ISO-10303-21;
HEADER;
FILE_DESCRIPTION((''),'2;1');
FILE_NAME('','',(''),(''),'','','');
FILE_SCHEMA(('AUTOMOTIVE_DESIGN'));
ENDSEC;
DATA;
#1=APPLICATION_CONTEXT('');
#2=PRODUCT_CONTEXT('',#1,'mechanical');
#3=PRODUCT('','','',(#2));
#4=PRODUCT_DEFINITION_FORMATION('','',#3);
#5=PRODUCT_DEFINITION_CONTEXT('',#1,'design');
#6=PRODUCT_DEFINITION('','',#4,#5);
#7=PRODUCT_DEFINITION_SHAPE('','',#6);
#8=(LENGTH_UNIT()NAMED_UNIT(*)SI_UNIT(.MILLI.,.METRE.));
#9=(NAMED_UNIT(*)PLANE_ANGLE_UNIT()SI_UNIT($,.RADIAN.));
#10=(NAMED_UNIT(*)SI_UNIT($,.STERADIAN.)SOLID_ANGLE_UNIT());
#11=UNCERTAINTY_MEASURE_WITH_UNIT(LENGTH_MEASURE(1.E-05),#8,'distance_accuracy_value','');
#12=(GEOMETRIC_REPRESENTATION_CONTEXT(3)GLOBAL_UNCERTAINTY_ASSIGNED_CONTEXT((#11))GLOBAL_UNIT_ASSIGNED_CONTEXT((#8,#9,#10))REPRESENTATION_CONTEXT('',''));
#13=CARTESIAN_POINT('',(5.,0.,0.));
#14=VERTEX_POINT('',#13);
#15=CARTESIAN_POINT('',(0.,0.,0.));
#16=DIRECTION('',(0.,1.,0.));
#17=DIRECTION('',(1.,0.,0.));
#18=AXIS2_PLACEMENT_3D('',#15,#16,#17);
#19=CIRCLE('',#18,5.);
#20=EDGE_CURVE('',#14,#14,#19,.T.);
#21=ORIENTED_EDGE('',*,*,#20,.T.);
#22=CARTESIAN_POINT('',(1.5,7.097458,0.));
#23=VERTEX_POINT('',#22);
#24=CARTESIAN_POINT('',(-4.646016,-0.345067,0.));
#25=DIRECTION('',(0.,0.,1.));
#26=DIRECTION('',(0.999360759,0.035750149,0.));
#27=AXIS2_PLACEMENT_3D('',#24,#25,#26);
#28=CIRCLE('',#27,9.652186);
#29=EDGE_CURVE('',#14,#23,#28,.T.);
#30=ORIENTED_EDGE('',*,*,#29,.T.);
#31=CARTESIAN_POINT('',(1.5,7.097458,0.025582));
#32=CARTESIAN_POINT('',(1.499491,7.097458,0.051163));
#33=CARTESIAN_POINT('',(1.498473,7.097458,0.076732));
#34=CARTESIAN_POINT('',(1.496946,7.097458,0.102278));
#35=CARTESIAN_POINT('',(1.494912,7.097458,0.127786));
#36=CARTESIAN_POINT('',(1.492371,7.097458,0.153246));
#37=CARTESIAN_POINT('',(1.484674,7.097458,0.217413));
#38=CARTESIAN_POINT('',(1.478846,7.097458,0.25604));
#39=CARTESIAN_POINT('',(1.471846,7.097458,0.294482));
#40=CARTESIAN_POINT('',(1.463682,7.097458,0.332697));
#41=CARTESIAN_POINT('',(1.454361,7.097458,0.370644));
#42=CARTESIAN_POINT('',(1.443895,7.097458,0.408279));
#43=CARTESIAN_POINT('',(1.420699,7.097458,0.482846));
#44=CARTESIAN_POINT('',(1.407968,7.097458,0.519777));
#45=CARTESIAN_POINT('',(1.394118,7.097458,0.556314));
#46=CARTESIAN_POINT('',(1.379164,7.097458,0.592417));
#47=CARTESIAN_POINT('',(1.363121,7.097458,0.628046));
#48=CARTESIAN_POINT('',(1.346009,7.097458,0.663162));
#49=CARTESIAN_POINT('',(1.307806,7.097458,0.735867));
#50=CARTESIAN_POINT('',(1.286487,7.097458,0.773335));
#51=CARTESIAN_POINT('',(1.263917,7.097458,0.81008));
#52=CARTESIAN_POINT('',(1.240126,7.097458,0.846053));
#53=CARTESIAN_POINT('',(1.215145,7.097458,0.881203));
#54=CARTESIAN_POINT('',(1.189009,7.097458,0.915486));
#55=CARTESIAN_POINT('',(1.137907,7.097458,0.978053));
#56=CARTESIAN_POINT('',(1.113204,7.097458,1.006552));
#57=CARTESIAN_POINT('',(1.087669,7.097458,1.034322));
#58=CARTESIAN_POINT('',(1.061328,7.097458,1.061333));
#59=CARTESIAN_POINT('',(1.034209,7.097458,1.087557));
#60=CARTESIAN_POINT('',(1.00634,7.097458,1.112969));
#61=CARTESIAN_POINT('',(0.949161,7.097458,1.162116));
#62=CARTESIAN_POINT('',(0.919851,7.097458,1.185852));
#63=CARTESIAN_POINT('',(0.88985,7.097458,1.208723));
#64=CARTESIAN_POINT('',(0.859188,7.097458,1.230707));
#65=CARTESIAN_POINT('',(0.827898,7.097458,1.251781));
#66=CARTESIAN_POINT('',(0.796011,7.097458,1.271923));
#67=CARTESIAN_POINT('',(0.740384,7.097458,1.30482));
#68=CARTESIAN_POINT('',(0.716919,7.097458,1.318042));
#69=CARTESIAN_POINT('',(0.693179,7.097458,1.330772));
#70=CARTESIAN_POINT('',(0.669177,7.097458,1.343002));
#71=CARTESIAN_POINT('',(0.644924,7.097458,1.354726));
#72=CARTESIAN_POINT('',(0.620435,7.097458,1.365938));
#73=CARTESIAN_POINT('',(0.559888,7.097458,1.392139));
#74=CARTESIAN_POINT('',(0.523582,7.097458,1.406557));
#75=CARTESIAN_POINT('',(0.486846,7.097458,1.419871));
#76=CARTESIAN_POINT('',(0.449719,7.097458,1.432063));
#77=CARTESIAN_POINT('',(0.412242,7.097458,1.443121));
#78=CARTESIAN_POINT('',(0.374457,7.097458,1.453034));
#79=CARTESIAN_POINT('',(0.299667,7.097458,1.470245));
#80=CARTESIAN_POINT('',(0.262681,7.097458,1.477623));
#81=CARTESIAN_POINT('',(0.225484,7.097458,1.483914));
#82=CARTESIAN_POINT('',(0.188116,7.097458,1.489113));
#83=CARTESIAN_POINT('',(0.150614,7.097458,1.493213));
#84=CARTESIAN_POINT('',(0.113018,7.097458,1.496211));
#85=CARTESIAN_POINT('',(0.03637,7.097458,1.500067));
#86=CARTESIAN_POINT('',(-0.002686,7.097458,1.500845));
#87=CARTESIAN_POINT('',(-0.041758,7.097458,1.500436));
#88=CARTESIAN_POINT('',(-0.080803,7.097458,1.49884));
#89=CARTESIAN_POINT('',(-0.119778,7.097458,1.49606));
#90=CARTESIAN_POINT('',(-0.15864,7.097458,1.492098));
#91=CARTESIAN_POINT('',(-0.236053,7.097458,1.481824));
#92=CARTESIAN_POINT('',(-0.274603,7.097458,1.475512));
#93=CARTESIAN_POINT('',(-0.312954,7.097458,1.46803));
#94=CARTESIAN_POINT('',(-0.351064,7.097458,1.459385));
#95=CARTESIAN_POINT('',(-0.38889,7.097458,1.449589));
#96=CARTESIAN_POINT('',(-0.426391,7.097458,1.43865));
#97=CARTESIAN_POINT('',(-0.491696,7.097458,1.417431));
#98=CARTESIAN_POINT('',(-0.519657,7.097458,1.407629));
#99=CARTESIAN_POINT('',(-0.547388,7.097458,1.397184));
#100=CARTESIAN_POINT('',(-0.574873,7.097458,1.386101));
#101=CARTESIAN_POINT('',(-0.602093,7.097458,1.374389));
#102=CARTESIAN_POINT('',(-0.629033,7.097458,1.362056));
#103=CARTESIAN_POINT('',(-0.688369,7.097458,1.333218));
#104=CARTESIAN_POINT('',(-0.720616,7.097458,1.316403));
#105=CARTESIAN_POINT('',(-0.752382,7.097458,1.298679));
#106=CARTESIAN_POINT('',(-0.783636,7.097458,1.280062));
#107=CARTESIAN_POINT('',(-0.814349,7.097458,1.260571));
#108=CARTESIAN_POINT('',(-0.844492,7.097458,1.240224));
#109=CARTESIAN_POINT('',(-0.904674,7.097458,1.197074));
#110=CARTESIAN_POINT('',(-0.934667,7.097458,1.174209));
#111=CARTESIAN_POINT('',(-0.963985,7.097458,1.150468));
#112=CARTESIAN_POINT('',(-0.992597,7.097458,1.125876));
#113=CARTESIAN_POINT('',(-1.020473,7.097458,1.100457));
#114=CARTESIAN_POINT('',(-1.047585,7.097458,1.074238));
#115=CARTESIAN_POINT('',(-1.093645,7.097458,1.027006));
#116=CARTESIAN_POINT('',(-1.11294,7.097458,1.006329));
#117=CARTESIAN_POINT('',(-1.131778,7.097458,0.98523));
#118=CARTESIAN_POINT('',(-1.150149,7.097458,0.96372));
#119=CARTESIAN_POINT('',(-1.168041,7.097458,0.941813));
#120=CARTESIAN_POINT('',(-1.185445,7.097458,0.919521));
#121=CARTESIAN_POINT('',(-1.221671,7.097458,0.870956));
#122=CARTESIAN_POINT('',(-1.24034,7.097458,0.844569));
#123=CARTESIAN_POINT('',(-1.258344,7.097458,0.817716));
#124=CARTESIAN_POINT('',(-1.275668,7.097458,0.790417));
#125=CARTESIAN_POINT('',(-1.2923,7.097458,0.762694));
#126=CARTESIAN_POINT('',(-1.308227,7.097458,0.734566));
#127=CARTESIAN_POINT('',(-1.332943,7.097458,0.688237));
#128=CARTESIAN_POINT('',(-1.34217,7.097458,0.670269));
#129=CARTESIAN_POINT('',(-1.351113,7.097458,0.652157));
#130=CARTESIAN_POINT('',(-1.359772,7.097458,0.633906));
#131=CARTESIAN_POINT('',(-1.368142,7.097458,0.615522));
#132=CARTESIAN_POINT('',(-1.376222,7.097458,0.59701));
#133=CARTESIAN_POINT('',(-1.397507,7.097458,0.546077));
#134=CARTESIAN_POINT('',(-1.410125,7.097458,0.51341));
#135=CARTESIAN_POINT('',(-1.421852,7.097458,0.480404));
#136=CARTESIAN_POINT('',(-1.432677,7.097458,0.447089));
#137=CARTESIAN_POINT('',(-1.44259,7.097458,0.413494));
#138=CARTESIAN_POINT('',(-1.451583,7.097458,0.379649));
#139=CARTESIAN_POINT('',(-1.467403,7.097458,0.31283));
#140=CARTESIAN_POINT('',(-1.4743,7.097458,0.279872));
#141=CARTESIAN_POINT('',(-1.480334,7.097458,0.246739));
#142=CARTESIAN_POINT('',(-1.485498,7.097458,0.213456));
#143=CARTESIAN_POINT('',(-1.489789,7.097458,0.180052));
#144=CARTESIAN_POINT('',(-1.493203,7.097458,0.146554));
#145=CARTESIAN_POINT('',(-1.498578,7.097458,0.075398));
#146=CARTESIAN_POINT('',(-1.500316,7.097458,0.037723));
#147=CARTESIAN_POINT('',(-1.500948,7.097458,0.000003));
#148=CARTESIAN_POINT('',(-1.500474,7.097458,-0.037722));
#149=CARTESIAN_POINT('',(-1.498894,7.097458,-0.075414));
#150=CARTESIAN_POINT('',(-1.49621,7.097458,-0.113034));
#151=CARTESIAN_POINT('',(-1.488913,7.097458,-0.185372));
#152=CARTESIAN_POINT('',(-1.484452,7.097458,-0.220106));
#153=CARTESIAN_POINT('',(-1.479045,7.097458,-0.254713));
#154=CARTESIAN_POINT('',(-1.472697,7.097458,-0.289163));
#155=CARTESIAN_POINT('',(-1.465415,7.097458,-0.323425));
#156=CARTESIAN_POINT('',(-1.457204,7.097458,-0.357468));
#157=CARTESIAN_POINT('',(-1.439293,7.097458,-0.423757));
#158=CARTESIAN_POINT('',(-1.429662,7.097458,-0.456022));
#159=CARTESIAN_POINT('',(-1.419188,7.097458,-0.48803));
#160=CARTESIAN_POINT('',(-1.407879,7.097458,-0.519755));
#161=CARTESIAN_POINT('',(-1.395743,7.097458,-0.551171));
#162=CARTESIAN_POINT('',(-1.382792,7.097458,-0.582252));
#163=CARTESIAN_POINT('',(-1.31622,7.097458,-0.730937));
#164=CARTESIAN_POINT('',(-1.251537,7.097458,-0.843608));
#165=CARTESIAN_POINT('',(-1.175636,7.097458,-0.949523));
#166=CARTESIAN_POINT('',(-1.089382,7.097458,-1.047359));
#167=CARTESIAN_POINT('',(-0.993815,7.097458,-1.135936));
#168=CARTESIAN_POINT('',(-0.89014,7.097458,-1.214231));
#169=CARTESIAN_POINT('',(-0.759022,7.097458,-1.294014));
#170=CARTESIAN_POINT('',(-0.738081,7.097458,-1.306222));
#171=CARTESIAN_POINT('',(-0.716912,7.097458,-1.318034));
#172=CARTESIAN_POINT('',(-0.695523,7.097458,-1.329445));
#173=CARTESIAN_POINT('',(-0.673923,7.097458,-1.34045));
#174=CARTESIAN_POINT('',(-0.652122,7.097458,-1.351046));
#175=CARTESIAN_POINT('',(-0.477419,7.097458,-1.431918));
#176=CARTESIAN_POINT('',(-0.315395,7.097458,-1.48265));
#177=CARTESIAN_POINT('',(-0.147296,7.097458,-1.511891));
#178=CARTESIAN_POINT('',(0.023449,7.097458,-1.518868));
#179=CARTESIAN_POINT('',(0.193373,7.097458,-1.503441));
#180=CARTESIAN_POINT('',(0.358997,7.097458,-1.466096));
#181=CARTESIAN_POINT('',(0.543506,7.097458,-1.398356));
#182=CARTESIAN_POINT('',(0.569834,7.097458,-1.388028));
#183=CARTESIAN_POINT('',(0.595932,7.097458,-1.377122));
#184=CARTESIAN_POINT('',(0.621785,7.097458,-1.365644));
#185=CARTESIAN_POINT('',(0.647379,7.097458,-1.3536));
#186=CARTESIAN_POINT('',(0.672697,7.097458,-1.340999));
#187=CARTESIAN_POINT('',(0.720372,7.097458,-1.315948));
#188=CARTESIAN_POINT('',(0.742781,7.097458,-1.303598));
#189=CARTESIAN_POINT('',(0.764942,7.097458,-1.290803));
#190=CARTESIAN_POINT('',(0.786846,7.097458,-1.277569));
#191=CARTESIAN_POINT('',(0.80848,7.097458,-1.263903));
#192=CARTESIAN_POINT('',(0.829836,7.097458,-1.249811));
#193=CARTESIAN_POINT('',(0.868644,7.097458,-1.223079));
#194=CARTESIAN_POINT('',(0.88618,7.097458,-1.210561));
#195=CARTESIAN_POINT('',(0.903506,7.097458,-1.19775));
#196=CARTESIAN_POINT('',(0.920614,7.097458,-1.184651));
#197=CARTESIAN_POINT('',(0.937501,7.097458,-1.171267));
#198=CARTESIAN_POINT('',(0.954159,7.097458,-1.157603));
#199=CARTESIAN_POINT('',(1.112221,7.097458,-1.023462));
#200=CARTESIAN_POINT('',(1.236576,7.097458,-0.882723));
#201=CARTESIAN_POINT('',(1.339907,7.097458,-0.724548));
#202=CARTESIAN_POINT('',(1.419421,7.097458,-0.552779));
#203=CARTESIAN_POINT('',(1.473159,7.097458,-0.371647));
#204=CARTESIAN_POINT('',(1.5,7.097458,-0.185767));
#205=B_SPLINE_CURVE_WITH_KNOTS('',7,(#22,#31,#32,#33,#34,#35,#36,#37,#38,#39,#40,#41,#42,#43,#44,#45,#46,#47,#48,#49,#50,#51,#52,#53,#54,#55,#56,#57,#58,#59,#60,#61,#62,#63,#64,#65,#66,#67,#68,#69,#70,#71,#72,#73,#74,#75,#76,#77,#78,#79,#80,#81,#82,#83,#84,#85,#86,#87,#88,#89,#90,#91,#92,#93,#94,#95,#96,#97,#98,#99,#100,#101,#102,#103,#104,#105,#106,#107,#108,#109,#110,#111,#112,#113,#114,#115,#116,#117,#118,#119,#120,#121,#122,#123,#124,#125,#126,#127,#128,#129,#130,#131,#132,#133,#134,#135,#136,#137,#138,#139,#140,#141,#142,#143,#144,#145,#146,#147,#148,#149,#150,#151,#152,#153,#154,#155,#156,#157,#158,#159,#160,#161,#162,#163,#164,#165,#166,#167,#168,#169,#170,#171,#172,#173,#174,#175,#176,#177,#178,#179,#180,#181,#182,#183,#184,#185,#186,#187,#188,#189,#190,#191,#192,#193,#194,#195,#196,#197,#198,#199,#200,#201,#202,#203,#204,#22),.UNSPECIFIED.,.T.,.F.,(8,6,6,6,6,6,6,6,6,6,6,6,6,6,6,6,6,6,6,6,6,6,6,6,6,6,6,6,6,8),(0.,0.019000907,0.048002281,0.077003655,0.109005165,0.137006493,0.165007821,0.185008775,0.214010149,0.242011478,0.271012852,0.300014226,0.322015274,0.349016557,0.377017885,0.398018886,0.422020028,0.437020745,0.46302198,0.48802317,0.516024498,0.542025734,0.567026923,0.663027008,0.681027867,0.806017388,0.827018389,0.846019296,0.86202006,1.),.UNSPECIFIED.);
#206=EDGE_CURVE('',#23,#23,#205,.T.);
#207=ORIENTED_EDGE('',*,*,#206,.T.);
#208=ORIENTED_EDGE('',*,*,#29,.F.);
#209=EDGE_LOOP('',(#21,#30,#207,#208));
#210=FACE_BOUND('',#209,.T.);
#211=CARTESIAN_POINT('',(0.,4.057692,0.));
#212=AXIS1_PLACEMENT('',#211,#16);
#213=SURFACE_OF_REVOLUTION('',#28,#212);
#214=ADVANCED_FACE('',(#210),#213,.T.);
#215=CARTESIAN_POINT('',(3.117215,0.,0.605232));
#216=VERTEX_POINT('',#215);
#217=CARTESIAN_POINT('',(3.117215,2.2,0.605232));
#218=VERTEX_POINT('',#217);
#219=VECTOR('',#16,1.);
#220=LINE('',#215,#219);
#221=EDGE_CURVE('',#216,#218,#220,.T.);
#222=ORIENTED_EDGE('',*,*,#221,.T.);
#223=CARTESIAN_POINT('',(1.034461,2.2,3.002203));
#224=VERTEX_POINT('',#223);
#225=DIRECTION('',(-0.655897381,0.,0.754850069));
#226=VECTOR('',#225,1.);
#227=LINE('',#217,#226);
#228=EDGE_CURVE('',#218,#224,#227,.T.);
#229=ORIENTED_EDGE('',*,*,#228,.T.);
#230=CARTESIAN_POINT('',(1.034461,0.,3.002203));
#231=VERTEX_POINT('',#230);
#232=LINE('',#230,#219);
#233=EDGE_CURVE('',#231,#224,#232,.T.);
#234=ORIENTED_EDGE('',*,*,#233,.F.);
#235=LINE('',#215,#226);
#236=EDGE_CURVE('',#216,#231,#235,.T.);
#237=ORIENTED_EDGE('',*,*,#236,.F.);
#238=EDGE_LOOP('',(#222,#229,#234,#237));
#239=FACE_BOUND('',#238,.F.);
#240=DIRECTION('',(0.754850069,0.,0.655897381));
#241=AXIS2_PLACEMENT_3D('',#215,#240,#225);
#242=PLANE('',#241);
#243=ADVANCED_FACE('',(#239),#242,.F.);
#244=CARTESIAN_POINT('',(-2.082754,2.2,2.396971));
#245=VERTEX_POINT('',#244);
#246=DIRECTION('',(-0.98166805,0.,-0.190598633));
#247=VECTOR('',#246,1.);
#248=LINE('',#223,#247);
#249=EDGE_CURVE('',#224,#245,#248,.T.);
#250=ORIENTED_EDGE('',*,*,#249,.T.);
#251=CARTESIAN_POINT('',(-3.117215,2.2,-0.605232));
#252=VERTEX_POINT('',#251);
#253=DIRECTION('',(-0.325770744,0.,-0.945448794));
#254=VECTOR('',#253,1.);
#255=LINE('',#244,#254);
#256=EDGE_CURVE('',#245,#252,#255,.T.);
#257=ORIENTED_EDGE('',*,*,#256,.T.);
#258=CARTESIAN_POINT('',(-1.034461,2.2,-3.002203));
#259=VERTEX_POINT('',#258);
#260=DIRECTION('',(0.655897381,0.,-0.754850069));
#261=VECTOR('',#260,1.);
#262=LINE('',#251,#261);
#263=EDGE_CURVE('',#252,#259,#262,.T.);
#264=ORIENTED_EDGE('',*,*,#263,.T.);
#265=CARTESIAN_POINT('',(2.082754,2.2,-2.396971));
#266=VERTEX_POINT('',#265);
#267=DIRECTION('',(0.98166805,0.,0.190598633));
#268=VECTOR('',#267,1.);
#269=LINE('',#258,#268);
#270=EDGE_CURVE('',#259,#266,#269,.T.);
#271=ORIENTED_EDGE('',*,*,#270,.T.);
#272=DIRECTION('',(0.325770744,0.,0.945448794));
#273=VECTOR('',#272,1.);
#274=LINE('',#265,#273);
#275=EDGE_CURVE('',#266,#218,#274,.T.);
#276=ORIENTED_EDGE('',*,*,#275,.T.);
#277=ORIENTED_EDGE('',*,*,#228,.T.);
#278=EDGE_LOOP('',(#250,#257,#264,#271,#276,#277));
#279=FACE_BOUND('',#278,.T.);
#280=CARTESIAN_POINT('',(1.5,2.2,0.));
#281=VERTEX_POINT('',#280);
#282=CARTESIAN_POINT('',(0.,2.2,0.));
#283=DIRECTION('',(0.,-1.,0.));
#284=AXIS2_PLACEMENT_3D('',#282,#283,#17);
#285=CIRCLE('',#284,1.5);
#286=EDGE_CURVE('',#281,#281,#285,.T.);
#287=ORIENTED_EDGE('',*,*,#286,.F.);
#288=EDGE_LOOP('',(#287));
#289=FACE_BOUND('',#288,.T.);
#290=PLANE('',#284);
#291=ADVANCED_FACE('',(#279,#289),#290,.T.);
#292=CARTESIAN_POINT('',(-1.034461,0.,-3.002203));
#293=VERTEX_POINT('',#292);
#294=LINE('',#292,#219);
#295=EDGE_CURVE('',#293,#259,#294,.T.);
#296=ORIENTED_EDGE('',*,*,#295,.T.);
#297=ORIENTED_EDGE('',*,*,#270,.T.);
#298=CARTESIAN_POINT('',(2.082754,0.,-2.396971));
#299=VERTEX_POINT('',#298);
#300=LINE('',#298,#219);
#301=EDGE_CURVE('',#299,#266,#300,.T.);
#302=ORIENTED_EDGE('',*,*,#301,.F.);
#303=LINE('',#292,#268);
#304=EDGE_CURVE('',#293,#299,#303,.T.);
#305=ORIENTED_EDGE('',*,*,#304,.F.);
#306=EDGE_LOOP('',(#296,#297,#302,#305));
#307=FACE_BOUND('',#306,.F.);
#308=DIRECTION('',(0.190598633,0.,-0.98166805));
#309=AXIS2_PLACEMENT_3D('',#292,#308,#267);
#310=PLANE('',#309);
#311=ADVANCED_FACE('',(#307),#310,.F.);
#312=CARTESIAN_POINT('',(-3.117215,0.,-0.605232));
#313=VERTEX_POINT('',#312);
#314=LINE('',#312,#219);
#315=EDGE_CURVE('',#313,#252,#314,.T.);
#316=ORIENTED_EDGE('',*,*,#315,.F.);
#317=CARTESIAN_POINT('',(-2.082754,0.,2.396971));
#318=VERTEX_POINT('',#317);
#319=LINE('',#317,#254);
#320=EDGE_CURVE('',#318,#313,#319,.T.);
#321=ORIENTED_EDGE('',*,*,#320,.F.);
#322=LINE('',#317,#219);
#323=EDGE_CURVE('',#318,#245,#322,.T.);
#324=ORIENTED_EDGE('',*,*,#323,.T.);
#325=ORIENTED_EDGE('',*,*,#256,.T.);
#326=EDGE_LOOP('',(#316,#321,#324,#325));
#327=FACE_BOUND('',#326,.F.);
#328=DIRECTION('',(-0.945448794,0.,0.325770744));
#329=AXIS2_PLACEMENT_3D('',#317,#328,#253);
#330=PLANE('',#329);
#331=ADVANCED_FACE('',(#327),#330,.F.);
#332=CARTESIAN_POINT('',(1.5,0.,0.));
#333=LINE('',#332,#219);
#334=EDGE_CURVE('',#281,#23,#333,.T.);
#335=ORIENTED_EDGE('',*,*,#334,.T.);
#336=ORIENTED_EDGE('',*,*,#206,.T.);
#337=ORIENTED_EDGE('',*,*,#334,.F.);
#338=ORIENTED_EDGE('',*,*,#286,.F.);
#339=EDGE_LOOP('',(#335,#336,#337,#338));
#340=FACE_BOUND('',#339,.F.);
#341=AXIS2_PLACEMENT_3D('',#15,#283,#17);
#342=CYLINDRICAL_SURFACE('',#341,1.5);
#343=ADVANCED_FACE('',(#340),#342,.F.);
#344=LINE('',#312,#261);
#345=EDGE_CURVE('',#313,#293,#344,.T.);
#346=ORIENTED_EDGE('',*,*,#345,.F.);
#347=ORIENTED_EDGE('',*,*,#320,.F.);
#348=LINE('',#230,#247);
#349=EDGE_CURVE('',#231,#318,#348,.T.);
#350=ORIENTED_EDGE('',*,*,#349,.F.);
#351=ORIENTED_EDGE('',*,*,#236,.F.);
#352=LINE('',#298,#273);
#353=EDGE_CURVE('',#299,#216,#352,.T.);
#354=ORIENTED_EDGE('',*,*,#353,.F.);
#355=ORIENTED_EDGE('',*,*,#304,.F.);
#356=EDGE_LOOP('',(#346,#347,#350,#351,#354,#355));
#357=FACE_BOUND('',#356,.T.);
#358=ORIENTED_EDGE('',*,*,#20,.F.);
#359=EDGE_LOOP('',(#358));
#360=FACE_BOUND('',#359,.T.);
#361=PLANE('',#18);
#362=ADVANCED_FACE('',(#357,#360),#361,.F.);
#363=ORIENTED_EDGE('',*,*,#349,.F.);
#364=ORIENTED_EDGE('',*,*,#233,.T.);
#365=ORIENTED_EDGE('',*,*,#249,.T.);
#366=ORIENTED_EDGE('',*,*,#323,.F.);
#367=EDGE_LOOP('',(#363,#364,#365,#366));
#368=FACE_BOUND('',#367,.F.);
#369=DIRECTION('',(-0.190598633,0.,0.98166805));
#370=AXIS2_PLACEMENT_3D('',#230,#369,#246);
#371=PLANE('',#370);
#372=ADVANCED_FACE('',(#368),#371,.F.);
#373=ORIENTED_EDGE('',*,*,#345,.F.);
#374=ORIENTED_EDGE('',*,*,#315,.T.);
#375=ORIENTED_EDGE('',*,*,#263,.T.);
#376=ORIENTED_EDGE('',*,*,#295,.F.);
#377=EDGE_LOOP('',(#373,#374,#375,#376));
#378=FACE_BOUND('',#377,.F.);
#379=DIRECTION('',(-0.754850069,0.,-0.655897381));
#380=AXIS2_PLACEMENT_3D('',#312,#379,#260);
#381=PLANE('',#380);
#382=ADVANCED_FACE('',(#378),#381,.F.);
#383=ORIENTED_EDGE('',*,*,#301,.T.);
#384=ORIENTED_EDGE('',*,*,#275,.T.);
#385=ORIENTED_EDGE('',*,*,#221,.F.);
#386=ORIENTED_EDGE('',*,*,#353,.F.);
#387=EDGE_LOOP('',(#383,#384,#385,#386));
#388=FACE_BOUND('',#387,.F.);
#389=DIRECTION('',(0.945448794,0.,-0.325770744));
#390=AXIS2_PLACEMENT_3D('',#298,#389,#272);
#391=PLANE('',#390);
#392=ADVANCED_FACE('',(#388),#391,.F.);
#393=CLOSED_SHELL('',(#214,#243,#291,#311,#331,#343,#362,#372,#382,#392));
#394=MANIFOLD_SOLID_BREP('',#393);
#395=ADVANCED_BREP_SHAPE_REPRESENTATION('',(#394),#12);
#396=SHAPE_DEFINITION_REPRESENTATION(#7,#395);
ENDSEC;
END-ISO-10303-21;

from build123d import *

# Parameters (mm, degrees)
F2_R     = 1.5
F3_DEPTH = 25
F4_DEPTH = 2.2


with BuildPart() as f1:
    # F0 (on Top) → F1 (revolve)
    with BuildSketch(Plane.XY):
        with BuildLine():
            Line((0, 8.115384), (0, 0))
            Line((0, 0), (5, 0))
            ThreePointArc((5, 0), (3.571673, 4.717964), (0, 8.115384))
        make_face()
    revolve(axis=Axis((0, 4.057692, 0), (0, 1, 0)))

    # F2 (on face) → F3 (cut)
    with BuildSketch(Plane.XZ):
        Circle(F2_R)
    extrude(amount=-F3_DEPTH, mode=Mode.SUBTRACT)

    # F2 (on face) → F4 (cut)
    with BuildSketch(Plane.XZ):
        Polygon((3.117215, 0.605232), (1.034461, 3.002203), (-2.082754, 2.396971), (-3.117215, -0.605232), (-1.034461, -3.002203), (2.082754, -2.396971), align=None)
        Circle(F2_R, mode=Mode.SUBTRACT)
    extrude(amount=-F4_DEPTH, mode=Mode.SUBTRACT)


solid = f1.part
